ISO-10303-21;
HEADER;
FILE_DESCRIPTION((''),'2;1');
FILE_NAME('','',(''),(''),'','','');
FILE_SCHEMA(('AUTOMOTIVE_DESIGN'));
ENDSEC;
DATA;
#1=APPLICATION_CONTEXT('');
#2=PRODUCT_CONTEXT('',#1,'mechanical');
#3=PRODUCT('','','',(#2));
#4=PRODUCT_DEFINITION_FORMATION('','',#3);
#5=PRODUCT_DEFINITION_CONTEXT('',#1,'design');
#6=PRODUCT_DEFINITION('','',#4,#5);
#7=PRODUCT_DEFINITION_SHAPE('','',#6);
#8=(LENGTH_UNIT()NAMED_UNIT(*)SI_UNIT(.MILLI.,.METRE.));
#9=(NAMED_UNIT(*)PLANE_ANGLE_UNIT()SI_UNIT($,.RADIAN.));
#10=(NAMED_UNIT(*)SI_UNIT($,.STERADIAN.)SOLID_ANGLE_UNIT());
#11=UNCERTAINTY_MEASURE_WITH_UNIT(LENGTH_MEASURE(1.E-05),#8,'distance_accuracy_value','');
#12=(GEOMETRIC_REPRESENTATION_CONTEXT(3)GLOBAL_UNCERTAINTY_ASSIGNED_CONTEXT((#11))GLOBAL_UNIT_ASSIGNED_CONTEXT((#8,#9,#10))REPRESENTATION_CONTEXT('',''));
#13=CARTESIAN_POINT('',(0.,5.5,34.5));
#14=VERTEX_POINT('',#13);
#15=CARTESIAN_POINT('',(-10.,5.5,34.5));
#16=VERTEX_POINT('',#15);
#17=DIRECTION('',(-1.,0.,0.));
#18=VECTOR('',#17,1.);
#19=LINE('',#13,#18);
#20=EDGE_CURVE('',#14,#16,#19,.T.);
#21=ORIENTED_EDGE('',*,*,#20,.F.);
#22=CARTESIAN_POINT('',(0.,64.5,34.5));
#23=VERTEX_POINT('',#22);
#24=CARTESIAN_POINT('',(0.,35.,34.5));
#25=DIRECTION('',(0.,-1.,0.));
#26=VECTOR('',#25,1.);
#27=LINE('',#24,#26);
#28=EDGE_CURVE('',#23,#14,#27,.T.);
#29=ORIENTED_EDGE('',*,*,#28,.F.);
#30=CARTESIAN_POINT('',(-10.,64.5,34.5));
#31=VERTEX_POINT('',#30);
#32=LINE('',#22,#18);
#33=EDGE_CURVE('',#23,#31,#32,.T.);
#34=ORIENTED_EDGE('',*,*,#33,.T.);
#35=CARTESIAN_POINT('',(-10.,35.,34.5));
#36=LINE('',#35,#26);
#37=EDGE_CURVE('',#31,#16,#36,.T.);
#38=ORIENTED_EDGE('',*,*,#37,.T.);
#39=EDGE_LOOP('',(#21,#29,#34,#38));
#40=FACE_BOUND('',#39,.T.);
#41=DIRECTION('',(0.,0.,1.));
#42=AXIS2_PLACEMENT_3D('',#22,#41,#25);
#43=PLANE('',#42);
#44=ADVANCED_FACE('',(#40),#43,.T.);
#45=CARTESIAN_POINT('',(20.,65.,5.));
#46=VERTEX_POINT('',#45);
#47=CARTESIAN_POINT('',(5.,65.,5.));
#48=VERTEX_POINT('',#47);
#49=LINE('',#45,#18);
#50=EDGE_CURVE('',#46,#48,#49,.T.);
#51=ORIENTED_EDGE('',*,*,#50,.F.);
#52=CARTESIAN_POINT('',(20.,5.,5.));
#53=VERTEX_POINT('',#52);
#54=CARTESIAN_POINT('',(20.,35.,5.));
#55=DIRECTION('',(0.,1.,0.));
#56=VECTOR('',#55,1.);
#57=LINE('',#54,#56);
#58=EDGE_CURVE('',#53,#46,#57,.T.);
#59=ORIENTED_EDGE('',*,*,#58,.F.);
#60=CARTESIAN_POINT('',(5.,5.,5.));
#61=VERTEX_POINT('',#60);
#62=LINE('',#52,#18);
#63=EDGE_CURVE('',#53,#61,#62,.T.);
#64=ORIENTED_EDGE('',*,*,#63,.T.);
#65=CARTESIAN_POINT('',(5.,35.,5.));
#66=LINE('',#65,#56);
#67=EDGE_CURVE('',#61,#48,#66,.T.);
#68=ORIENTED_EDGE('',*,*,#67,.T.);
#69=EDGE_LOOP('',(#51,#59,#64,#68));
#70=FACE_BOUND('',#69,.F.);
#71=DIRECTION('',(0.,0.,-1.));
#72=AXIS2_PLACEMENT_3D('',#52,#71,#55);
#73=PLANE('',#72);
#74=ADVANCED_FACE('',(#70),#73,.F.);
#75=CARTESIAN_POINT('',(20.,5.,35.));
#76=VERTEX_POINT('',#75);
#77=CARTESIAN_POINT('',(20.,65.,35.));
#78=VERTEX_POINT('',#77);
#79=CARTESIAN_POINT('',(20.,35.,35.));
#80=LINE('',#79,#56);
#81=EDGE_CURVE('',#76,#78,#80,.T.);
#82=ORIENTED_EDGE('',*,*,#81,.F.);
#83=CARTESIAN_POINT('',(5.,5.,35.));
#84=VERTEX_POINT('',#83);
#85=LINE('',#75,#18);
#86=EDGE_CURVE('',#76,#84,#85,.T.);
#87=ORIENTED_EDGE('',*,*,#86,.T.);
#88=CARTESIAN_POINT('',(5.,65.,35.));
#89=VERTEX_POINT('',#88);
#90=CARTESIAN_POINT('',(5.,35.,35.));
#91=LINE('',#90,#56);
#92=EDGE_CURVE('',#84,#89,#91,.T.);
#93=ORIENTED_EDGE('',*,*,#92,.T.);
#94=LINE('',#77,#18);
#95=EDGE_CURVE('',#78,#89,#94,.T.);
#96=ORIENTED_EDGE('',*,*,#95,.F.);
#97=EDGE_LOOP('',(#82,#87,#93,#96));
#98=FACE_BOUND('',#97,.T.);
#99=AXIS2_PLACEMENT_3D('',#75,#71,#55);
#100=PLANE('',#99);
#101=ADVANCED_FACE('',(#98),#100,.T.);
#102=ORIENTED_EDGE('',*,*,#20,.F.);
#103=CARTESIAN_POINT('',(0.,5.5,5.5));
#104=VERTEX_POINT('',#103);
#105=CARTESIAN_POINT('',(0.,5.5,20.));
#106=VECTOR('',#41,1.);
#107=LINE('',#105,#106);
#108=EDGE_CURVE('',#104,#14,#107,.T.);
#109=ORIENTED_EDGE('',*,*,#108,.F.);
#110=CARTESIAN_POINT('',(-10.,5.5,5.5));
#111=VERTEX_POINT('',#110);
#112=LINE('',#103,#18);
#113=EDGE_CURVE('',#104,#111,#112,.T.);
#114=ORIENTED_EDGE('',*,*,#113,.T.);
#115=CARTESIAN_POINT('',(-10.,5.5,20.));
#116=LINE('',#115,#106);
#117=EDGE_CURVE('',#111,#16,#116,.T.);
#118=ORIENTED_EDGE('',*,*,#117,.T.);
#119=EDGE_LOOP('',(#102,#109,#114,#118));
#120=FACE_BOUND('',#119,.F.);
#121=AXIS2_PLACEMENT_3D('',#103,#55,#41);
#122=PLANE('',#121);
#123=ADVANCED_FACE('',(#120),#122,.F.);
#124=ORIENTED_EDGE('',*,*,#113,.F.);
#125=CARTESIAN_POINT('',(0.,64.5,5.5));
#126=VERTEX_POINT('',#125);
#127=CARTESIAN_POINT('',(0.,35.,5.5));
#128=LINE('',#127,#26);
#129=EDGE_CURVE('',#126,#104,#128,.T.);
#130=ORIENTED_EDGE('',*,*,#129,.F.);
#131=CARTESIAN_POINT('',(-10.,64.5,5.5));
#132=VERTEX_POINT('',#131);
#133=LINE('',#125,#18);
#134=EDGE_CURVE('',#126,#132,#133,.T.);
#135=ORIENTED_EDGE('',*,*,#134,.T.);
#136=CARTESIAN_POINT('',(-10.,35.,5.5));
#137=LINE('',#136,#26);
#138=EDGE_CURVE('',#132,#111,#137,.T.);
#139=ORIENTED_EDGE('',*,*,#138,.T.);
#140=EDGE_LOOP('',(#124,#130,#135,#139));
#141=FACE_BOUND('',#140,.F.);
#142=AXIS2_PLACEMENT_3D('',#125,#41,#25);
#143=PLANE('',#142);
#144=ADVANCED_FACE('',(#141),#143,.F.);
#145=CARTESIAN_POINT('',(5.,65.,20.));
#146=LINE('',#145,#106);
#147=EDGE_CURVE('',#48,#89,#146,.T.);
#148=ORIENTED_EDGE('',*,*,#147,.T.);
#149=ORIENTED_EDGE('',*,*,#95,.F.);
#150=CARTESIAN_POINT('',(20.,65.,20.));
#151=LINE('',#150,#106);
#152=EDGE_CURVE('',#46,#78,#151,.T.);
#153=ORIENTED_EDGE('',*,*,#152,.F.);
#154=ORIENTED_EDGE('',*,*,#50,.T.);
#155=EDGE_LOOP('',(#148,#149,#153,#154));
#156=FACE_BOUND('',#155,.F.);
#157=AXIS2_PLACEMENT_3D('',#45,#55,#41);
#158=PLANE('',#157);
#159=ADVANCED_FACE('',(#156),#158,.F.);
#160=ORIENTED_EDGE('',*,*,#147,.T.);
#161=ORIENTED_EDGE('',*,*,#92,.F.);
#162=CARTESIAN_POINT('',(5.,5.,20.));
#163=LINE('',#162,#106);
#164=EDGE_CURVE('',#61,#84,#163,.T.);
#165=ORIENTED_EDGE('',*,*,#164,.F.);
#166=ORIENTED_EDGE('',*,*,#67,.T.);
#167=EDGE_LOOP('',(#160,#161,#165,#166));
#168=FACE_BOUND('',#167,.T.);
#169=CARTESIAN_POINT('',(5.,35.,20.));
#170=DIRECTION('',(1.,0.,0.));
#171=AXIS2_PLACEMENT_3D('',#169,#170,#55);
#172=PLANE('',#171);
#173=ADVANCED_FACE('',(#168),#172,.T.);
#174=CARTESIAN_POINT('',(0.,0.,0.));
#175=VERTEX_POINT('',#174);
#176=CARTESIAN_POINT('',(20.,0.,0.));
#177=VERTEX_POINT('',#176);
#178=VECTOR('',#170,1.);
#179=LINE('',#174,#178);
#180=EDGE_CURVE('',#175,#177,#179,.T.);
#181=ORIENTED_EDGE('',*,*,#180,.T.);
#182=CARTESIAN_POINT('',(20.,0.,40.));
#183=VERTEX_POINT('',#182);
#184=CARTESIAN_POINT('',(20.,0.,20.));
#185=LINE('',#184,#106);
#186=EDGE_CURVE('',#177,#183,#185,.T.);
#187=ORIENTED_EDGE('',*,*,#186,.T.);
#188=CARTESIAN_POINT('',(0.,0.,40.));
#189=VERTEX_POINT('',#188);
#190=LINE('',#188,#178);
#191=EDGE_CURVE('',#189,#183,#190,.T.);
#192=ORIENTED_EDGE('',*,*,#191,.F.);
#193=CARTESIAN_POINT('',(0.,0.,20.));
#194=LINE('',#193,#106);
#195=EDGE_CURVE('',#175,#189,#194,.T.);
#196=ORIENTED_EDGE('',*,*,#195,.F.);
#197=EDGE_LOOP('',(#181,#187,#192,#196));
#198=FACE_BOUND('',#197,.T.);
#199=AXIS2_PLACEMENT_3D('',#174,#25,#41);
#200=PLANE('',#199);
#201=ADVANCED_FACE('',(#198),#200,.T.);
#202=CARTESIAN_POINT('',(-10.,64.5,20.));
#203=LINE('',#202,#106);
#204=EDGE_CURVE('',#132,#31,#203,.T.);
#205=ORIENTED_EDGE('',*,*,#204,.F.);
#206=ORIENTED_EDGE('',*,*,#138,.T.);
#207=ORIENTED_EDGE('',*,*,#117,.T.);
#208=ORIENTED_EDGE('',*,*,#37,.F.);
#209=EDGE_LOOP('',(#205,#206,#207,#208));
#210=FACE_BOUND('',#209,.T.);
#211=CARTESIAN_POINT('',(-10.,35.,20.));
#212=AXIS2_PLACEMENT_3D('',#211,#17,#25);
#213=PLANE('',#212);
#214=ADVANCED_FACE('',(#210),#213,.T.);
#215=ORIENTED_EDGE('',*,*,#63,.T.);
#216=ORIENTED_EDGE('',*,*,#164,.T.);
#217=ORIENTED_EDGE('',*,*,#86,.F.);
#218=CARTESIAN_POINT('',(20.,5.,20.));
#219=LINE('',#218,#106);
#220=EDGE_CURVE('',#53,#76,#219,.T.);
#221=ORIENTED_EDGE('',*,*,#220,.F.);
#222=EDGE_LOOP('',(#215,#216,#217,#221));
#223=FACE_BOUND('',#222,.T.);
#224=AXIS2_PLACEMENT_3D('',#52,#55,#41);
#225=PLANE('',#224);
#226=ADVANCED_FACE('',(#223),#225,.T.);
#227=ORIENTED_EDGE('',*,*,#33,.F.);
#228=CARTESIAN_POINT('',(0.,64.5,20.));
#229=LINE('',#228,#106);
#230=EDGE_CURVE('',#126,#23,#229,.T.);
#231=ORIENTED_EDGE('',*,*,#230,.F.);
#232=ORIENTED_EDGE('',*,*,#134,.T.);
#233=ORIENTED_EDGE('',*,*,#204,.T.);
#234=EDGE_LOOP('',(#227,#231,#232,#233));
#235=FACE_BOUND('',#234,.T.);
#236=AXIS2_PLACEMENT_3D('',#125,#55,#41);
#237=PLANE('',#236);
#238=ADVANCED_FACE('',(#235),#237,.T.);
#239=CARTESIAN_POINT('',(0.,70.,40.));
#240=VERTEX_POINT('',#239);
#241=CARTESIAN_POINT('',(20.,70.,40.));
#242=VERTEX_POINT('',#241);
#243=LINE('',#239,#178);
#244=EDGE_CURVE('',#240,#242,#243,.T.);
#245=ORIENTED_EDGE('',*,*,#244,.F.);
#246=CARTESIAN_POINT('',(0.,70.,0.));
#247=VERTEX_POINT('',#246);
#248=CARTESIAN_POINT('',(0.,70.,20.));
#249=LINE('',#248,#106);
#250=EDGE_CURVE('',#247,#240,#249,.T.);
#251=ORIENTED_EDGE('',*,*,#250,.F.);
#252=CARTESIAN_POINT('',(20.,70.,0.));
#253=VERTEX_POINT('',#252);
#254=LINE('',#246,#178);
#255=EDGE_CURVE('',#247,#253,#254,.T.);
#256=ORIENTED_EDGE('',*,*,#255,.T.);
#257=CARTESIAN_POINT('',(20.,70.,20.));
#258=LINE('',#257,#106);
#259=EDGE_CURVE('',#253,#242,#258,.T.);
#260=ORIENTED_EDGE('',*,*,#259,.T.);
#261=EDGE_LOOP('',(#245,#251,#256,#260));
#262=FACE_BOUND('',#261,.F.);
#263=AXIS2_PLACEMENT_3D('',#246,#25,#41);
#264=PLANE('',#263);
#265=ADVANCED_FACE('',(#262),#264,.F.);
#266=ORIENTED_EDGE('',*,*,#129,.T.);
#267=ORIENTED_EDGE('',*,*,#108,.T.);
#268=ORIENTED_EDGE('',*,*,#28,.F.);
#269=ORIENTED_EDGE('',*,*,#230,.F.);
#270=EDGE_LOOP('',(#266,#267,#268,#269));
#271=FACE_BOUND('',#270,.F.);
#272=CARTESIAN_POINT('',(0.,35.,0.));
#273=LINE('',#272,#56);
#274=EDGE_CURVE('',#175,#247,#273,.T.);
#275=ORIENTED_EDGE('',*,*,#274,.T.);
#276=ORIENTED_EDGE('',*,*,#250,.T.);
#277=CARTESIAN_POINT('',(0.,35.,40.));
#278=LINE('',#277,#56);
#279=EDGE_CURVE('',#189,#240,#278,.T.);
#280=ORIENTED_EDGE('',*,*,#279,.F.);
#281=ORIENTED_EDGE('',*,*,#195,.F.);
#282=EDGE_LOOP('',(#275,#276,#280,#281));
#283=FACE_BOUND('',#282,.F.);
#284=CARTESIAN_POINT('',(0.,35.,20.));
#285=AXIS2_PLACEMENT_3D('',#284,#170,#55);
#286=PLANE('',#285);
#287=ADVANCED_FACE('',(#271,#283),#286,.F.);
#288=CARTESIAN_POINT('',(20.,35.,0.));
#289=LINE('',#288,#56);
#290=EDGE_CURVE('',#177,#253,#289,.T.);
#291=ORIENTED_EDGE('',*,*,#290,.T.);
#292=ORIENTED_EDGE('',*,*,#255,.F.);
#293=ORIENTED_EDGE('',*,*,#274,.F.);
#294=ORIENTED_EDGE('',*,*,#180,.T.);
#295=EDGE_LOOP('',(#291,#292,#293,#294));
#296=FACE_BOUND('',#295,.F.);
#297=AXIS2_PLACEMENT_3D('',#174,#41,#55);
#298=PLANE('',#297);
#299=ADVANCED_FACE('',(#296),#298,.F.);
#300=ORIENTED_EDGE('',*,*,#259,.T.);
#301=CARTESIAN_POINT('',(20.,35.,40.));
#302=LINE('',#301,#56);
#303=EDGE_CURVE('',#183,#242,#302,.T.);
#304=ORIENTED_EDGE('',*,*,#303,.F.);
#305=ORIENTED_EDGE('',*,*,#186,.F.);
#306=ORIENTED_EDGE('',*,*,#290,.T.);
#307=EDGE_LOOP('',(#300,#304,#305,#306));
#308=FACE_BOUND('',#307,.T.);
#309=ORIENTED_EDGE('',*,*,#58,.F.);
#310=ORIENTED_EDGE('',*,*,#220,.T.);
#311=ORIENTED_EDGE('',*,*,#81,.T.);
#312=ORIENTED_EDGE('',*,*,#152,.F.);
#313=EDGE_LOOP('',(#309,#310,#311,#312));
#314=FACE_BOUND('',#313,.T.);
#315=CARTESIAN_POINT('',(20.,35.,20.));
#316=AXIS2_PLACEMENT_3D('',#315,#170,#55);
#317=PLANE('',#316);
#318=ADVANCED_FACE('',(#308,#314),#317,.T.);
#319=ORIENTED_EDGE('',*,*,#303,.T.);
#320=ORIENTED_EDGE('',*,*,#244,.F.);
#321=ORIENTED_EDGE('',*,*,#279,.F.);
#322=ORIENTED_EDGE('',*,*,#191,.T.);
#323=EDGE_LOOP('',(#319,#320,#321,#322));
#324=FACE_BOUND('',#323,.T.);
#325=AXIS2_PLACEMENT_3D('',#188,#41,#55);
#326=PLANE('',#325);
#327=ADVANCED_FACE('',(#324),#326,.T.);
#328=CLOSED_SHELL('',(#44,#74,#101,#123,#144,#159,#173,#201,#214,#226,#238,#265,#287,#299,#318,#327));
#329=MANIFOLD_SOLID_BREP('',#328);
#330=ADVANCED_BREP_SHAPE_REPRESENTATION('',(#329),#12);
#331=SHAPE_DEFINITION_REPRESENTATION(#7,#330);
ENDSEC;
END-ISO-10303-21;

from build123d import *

# Parameters (mm, degrees)
F0_W     = 70
F0_H     = 40
F1_DEPTH = 20
F2_W     = 60
F2_H     = 30
F3_DEPTH = 15
F4_W     = 59
F4_H     = 29
F5_DEPTH = 10


with BuildPart() as f1:
    # F0 (on Right) → F1 (new body)
    with BuildSketch(Plane.YZ):
        with Locations((35, 20)):
            Rectangle(F0_W, F0_H)
    extrude(amount=F1_DEPTH)

    # F2 (on face) → F3 (cut)
    with BuildSketch(Plane.YZ.offset(20)):
        with Locations((35, 20)):
            Rectangle(F2_W, F2_H)
    extrude(amount=-F3_DEPTH, mode=Mode.SUBTRACT)

    # F4 (on face) → F5 (join)
    with BuildSketch(Plane(origin=(0, 0, 0), x_dir=(0, -1, 0), z_dir=(-1, 0, 0))):
        with Locations((-35, 20)):
            Rectangle(F4_W, F4_H)
    extrude(amount=F5_DEPTH)


solid = f1.part
